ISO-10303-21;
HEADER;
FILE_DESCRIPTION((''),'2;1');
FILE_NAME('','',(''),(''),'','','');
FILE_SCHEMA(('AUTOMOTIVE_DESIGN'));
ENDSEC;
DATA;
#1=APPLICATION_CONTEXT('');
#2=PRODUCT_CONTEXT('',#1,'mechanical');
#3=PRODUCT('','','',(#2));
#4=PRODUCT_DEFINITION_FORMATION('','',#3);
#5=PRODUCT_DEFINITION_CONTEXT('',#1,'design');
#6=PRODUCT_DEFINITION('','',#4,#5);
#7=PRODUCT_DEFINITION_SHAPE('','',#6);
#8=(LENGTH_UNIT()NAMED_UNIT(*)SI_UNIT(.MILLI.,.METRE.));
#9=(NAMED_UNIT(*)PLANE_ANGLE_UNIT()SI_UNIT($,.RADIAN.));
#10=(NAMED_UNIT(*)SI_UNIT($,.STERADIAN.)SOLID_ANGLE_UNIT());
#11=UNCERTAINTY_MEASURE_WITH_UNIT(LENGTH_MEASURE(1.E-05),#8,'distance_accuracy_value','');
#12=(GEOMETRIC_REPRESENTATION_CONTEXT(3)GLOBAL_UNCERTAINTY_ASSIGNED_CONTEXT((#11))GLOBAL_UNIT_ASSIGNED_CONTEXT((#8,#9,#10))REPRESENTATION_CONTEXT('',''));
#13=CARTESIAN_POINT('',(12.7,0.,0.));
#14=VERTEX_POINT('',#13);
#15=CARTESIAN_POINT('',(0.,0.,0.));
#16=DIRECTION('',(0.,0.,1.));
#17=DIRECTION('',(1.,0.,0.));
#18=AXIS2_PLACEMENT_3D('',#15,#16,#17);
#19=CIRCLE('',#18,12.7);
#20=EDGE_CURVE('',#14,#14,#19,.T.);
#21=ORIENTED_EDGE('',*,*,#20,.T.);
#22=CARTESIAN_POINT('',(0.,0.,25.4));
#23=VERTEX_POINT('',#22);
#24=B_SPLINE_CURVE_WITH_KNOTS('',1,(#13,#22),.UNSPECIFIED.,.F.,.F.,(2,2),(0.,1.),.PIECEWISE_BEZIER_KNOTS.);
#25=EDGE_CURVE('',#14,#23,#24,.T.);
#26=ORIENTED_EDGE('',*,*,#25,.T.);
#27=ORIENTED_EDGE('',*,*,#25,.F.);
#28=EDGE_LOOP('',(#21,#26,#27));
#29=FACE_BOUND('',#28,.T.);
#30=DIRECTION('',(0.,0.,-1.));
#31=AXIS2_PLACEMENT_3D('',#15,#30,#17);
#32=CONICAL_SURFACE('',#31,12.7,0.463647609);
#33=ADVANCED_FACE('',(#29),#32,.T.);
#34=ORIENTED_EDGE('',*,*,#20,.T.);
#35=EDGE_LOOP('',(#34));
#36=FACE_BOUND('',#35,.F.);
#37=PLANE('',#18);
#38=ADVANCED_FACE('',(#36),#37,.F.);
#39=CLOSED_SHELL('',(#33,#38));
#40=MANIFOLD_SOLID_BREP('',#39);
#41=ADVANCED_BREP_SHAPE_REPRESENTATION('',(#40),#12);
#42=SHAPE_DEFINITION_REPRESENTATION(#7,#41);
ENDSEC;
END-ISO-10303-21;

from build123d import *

# Parameters (mm, degrees)
F0_R = 12.7


with BuildPart() as f3:
    # F0 (on Top) → F3 section 0
    with BuildSketch(Plane.XY, mode=Mode.PRIVATE) as f3_s0:
        Circle(F0_R)
    loft([f3_s0.sketch, Vertex(0, 0, 25.4)])


solid = f3.part
